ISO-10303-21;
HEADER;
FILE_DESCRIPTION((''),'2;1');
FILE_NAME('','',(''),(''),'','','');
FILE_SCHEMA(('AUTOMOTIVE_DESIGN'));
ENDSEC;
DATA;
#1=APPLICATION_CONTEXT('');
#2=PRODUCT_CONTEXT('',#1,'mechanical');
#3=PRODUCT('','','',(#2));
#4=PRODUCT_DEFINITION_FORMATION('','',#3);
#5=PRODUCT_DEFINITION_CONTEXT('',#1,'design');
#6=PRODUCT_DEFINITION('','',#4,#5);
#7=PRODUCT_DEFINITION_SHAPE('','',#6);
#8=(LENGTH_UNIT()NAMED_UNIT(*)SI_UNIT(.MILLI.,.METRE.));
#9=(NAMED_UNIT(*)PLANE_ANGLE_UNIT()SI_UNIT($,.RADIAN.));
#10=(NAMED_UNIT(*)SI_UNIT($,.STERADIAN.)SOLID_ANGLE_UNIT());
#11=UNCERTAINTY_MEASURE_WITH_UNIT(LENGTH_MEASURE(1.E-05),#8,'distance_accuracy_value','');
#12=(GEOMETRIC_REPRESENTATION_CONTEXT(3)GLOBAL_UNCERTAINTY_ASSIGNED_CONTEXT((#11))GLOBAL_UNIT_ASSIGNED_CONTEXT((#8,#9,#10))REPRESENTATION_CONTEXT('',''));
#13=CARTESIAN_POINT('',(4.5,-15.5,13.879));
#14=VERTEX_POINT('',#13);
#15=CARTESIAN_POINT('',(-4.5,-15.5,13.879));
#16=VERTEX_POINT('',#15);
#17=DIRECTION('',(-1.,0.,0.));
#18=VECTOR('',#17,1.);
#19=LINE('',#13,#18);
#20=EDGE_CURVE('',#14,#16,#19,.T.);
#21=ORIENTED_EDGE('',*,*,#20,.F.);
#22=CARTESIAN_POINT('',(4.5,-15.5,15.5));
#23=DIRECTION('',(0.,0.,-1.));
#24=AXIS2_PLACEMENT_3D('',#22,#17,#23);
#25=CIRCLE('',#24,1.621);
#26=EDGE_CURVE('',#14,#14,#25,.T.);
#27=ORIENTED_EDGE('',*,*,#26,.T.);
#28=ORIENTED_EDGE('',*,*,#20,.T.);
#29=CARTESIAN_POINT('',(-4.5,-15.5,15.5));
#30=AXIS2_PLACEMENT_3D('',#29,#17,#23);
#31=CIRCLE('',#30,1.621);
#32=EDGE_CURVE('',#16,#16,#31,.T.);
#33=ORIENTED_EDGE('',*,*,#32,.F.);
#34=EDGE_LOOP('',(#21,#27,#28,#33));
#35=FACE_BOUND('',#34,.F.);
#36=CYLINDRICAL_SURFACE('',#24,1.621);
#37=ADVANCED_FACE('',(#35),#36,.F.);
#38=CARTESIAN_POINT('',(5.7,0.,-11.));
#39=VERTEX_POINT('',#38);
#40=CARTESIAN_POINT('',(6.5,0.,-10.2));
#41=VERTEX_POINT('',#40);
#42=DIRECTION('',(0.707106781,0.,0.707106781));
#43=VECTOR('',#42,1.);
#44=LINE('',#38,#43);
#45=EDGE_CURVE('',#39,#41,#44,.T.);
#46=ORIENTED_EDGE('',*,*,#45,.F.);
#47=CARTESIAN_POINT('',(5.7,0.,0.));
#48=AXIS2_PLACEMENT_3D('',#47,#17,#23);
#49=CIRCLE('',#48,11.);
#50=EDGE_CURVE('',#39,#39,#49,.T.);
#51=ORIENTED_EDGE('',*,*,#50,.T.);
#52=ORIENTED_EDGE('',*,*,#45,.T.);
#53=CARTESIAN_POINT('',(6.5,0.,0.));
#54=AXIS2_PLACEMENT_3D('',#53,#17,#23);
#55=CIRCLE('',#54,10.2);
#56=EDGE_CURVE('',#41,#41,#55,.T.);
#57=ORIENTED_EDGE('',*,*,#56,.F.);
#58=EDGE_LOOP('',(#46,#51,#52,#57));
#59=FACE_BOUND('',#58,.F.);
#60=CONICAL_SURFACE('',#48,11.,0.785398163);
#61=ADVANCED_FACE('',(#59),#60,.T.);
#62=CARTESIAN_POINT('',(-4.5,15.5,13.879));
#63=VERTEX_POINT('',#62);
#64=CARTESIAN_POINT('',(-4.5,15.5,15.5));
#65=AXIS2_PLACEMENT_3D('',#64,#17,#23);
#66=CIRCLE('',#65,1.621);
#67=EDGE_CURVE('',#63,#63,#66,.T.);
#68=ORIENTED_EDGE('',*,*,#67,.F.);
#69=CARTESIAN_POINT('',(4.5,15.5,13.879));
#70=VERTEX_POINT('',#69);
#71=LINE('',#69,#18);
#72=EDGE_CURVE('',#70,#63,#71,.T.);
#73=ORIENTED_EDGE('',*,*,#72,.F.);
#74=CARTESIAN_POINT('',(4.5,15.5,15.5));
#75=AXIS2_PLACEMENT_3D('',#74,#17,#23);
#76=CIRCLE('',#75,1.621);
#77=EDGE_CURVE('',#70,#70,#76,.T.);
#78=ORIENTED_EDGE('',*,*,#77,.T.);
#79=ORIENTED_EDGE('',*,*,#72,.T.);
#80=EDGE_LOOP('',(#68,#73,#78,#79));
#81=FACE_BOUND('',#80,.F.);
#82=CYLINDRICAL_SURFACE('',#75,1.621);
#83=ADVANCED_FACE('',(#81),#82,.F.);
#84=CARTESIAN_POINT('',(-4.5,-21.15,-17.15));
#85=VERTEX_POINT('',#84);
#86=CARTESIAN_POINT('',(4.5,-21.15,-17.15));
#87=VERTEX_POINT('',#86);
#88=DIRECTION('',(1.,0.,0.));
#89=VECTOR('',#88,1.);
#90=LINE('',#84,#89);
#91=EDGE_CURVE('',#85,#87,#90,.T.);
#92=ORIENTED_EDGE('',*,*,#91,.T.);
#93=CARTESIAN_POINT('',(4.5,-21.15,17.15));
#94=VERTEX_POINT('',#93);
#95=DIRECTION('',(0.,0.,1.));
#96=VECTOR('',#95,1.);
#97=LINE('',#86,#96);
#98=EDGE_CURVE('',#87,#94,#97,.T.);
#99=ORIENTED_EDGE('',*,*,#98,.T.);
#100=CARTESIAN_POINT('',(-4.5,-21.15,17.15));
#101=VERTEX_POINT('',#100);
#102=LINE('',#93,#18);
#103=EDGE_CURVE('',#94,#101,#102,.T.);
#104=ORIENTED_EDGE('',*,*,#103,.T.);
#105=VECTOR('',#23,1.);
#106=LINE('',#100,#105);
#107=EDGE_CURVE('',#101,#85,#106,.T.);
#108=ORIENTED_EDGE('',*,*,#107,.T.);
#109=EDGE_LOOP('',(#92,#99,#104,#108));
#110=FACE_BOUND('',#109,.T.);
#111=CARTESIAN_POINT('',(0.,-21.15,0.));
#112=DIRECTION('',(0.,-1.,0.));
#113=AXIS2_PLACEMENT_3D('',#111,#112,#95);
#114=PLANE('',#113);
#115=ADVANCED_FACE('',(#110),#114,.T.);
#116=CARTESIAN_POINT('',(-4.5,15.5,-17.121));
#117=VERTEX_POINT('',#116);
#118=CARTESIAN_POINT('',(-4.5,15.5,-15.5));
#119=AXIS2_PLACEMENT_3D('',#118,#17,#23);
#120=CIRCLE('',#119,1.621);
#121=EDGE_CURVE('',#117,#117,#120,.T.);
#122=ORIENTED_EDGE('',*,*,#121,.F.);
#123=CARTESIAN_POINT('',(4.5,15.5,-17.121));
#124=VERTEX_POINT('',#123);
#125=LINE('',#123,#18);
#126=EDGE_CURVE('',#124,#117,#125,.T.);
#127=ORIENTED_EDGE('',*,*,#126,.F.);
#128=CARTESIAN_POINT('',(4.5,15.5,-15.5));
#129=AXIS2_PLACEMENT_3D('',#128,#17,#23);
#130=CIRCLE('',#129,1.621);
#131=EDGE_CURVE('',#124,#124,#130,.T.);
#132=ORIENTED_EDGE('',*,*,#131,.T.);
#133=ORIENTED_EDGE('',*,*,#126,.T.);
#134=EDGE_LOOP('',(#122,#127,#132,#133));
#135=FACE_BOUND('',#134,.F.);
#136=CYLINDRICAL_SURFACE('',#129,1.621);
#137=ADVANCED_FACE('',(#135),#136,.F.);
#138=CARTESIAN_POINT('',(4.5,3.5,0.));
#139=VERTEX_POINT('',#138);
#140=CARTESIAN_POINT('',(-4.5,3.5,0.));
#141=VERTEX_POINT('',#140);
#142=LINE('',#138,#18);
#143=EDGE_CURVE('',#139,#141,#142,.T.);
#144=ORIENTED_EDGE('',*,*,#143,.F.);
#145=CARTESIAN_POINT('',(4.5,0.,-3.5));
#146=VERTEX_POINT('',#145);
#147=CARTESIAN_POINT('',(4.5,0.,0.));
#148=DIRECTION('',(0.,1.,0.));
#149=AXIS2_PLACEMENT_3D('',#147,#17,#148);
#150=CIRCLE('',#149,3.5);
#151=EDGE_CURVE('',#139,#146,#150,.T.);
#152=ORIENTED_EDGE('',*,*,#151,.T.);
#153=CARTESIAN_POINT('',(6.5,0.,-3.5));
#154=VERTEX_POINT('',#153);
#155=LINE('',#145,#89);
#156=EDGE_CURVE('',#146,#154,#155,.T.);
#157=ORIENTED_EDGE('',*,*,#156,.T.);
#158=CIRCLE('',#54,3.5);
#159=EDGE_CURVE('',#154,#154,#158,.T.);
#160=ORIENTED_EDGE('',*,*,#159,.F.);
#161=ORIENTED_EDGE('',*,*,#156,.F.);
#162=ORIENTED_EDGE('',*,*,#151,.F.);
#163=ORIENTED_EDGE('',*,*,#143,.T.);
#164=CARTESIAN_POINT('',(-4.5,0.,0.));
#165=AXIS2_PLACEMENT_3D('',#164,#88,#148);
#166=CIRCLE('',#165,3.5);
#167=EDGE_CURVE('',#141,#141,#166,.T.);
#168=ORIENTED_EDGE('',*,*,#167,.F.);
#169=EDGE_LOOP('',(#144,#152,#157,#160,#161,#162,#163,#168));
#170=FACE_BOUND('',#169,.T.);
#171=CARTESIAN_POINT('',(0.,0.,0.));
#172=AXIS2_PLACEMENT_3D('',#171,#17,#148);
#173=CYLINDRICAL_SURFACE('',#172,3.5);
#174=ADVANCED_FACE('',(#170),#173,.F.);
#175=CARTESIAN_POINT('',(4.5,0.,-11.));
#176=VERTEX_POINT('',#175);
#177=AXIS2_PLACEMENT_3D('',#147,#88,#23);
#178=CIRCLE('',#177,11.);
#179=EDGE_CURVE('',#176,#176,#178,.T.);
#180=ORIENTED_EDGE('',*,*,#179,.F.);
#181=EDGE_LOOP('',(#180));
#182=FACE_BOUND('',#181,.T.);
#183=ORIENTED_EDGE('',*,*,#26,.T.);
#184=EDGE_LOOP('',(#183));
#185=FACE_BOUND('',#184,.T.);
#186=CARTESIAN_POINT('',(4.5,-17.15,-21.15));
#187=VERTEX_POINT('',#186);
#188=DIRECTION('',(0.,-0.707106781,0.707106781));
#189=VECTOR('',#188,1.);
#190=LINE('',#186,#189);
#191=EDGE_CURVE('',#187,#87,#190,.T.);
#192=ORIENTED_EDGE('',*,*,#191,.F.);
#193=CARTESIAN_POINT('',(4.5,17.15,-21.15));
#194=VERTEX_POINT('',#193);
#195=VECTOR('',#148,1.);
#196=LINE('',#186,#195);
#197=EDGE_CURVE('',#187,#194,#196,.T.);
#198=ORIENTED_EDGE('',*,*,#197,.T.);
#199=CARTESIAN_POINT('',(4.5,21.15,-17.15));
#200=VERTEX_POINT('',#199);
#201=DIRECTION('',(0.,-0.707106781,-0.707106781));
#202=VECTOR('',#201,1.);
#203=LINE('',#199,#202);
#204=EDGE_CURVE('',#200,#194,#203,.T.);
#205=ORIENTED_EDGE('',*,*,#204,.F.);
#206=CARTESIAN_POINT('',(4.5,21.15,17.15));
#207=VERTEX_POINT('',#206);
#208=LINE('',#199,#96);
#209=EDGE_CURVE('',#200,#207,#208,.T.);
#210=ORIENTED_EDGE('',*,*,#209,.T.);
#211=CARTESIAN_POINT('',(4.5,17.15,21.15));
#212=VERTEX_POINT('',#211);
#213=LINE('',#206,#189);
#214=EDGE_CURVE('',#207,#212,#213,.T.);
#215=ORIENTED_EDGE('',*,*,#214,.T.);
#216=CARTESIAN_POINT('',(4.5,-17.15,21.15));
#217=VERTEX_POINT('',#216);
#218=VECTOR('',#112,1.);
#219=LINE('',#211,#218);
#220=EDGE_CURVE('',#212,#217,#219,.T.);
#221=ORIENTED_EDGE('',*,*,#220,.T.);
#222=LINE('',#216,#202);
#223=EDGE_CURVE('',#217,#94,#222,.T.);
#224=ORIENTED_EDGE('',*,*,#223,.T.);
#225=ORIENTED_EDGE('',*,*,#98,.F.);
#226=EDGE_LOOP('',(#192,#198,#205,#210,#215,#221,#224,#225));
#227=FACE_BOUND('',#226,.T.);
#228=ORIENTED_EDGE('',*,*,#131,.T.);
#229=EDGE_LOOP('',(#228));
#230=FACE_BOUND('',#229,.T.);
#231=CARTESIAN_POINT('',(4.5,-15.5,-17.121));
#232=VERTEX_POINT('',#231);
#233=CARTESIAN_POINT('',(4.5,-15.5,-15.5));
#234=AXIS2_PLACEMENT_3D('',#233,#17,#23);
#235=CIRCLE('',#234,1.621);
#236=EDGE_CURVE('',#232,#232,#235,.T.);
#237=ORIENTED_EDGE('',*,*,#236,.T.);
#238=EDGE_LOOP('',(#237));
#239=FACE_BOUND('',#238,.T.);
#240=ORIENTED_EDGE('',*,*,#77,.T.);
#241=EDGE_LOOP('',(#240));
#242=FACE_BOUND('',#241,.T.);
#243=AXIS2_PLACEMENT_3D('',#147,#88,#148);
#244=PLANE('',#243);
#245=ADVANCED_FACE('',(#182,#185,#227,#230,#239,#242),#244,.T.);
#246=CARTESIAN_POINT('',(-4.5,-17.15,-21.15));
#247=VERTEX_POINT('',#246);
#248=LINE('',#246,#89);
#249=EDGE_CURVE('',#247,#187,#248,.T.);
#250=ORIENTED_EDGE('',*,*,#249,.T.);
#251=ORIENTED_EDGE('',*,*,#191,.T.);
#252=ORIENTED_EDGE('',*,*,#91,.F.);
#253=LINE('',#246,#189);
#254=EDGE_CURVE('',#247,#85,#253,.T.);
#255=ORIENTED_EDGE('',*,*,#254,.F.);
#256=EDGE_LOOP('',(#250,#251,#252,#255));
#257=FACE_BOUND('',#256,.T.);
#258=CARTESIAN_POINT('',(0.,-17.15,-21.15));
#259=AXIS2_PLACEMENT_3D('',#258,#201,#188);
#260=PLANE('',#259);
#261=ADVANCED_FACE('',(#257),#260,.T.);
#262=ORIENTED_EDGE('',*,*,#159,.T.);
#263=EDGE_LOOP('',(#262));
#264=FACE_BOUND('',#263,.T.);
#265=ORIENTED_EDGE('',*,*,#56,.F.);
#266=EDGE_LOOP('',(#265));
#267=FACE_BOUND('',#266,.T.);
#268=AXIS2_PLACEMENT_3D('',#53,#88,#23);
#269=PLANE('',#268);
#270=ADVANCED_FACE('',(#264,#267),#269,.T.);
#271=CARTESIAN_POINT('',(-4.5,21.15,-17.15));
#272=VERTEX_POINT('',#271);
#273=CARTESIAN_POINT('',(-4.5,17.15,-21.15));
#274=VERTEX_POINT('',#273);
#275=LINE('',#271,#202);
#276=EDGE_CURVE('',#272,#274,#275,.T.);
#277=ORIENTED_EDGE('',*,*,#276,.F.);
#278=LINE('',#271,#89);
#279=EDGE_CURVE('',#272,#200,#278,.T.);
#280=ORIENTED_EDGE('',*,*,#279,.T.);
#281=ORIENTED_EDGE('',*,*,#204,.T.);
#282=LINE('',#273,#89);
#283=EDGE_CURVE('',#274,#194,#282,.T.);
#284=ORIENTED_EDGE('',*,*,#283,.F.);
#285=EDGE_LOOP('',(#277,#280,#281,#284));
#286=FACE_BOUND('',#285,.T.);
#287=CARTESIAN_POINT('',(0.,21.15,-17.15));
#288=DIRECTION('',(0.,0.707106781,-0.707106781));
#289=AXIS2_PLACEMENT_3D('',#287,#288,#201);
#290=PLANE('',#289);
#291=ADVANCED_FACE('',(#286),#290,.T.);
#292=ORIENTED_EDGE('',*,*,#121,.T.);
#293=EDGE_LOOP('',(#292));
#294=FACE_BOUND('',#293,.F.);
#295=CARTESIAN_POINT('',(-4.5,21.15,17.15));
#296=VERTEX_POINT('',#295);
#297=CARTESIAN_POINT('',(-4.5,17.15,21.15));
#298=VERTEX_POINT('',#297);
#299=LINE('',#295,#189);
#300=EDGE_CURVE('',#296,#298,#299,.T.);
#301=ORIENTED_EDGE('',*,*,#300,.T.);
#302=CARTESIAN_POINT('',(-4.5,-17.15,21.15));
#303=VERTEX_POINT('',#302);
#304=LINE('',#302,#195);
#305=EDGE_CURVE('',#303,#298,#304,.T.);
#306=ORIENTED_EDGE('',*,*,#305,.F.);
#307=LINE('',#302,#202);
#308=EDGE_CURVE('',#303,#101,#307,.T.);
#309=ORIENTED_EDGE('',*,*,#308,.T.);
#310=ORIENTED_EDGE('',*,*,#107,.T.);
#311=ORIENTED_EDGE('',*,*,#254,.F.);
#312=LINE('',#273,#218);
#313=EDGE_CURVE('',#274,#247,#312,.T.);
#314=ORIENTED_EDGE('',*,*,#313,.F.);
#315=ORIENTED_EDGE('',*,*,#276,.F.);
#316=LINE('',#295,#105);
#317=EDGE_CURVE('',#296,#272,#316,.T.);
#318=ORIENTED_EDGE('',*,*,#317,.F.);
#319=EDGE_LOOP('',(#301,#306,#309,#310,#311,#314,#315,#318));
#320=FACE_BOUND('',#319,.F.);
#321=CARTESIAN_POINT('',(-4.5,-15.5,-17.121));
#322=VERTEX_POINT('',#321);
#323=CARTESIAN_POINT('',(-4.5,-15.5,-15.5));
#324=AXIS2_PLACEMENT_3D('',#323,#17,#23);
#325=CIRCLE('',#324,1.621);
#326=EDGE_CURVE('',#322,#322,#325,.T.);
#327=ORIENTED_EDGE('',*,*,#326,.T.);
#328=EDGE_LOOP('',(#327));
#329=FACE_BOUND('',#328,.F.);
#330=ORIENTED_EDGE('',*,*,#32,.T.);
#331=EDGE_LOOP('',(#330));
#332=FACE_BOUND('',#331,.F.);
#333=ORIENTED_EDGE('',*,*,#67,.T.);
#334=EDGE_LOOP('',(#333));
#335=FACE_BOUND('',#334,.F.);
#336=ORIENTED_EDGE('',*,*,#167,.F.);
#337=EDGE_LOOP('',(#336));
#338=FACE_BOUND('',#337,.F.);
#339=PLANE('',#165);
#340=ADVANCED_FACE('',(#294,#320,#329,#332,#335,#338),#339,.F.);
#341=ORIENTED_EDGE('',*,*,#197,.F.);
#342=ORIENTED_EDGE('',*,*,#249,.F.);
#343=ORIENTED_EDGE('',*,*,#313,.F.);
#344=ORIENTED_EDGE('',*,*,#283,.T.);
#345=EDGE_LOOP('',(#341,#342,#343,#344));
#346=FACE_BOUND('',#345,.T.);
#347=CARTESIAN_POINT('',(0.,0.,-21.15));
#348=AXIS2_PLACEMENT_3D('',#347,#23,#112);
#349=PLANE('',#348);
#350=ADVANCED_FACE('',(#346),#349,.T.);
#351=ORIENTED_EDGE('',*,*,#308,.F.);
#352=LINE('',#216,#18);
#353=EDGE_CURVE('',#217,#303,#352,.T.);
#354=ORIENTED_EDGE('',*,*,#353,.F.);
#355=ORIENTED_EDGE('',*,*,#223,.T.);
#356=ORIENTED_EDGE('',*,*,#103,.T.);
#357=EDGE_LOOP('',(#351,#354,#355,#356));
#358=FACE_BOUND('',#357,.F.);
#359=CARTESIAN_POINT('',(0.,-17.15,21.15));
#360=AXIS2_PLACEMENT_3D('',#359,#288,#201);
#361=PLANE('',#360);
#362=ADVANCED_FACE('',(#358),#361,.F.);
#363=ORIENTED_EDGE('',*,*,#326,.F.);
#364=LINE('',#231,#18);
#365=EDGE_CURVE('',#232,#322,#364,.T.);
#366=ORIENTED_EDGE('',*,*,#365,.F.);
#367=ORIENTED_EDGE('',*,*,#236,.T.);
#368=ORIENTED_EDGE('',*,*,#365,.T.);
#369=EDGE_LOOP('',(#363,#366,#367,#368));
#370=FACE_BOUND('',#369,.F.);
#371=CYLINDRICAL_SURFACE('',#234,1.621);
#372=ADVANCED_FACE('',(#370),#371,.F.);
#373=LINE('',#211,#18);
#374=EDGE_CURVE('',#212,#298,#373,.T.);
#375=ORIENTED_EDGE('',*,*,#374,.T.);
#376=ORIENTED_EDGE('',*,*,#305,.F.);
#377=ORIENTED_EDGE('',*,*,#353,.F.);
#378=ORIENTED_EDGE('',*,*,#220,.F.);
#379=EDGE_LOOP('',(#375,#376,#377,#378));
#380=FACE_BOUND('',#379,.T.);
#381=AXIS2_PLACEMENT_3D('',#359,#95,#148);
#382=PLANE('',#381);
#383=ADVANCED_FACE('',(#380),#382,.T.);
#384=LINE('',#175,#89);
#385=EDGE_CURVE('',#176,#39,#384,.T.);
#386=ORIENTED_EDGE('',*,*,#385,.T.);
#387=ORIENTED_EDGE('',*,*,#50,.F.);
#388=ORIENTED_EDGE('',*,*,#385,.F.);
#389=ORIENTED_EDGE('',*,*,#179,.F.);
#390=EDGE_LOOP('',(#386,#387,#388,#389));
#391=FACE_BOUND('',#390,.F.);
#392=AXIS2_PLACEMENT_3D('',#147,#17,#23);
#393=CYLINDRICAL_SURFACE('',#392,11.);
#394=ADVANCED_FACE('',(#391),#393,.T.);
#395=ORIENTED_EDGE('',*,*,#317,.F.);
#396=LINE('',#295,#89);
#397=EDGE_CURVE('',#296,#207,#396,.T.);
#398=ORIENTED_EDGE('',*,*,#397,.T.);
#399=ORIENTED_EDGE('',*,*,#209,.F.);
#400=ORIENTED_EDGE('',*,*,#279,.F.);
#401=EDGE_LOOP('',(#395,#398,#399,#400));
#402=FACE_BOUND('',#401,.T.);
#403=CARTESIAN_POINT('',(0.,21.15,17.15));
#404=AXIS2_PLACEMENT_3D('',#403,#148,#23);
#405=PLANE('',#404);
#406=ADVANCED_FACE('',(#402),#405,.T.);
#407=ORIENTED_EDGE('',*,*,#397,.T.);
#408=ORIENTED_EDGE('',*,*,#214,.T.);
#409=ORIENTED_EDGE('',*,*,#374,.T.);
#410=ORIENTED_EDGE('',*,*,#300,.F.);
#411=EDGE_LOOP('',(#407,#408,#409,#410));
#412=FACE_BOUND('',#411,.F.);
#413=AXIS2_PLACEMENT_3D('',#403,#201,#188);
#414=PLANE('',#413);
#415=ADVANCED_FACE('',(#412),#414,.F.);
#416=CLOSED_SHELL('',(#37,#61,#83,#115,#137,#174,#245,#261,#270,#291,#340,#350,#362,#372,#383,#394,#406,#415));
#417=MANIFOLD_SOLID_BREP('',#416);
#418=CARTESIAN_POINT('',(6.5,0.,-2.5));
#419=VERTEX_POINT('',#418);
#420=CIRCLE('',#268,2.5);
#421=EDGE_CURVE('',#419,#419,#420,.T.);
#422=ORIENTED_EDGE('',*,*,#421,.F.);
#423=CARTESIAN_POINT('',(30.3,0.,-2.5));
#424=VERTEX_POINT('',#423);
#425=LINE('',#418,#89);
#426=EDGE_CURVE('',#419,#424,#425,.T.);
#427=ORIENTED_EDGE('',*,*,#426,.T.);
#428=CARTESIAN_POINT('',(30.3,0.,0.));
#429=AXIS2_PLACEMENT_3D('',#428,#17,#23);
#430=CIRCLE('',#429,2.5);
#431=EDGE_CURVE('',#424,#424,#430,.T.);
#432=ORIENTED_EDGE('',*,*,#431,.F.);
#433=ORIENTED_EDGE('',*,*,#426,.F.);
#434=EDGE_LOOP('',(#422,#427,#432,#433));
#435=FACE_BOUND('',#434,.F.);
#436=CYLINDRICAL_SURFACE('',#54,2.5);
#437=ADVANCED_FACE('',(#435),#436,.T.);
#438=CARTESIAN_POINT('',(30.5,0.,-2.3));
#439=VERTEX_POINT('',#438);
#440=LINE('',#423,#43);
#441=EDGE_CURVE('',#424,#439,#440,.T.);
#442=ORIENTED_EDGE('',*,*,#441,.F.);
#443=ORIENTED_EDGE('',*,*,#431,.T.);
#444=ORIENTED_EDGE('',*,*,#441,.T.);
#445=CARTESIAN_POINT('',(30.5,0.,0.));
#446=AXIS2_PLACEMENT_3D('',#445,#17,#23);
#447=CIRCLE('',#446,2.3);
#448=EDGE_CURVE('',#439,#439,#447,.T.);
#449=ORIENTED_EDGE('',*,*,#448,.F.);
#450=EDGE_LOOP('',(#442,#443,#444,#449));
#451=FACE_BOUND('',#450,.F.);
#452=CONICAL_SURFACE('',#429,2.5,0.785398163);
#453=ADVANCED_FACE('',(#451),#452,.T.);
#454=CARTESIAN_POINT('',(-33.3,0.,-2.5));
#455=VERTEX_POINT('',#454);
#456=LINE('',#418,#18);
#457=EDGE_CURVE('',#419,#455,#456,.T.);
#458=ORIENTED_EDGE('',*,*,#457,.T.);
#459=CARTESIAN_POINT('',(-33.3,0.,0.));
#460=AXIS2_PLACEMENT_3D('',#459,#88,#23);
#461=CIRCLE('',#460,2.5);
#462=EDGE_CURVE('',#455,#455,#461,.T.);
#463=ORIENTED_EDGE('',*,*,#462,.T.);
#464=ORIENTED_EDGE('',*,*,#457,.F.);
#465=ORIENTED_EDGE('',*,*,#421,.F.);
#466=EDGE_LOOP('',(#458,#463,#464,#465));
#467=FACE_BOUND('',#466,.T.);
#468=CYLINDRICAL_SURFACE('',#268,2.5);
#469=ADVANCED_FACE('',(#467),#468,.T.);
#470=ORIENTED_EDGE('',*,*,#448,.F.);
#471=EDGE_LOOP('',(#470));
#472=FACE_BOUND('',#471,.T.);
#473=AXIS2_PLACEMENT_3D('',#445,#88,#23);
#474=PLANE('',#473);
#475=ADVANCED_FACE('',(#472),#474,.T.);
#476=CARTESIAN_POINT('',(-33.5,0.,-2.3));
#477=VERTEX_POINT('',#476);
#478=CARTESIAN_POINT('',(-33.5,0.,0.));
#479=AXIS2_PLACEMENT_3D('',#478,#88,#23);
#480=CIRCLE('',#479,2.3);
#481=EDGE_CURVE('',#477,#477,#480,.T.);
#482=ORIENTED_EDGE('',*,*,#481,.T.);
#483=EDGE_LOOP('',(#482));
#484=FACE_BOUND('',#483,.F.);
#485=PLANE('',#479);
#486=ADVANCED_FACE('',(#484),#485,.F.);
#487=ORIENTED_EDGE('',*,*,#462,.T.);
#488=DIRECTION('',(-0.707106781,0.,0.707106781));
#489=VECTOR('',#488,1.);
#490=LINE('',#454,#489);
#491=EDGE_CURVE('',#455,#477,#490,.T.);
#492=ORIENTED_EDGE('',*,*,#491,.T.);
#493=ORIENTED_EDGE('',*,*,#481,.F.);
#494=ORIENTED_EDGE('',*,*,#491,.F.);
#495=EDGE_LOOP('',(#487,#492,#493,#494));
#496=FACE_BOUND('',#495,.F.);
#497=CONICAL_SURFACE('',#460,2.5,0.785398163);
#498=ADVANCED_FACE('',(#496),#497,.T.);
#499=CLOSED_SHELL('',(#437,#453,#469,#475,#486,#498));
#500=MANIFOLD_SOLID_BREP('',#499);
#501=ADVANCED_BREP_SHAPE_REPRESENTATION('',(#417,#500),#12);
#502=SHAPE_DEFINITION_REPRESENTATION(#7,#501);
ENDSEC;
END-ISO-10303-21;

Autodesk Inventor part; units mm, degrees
ref_plane "YZ Plane" through (0, 0, 0) normal (1, 0, 0) x (0, 1, 0)
ref_plane "XZ Plane" through (0, 0, 0) normal (0, 1, 0) x (-1, 0, 0)
ref_plane "XY Plane" through (0, 0, 0) normal (0, 0, 1) x (1, 0, 0)
sketch "Skizze1" plane through (0, 0, 0) normal (1, 0, 0) x (0, 1, 0)
  line L0 (-29.61, 0) -> (29.61, 0) projected
  line L1 (0, -29.61) -> (0, 29.61) projected
  line L2 (-17.15, 21.15) -> (17.15, 21.15)
  line L3 (21.15, 17.15) -> (21.15, -17.15)
  line L4 (17.15, -21.15) -> (-17.15, -21.15)
  line L5 (-21.15, -17.15) -> (-21.15, 17.15)
  line L6 (21.15, 17.15) -> (17.15, 21.15)
  line L7 (21.15, -17.15) -> (17.15, -21.15)
  line L8 (-17.15, -21.15) -> (-21.15, -17.15)
  line L9 (-17.15, 21.15) -> (-21.15, 17.15)
  circle A0 centre (0, 0) radius 3.5
  point P0 (-21.15, 21.15)
  point P1 (21.15, -21.15)
  point P2 (21.15, 21.15)
  point P3 (-21.15, -21.15)
  dimension "d0" = 42.3
  dimension "d1" = 42.3
  dimension "d5" = 4
  dimension "d6" = 4
  dimension "d7" = 4
  dimension "d8" = 4
  dimension "d9" = 4
  dimension "d10" = 4
  dimension "d11" = 4
  dimension "d12" = 4
  dimension "d13" = 7
extrude "Extrusion2" add sketch "Skizze1" along normal mid plane 9 contours L5 L9 L2 L1 A0 L0 | L0 A0 L1 L4 L8 L5 | L1 L2 L6 L3 L0 A0 | A0 L0 L3 L7 L4 L1
sketch "Skizze2" plane through (4.5, 0, 0) normal (1, 0, 0) x (0, 0, -1)
  circle A0 centre (0, 0) radius 3.5 projected
  line L0 (-17.15, 21.15) -> (-21.15, 17.15) projected
  line L1 (-21.15, 17.15) -> (-21.15, -17.15) projected
  line L2 (-21.15, -17.15) -> (-17.15, -21.15) projected
  line L3 (-17.15, -21.15) -> (17.15, -21.15) projected
  line L4 (17.15, -21.15) -> (21.15, -17.15) projected
  line L5 (21.15, -17.15) -> (21.15, 17.15) projected
  line L6 (21.15, 17.15) -> (17.15, 21.15) projected
  line L7 (17.15, 21.15) -> (-17.15, 21.15) projected
  line L8 (0, -29.61) -> (0, 29.61) projected
  line L9 (29.61, 0) -> (-29.61, 0) projected
  point P0 (-15.5, 15.5)
  point P1 (15.5, 15.5)
  point P2 (-15.5, -15.5)
  point P3 (15.5, -15.5)
  dimension "d18" = 15.5
  dimension "d19" = 15.5
hole "Bohrung1" at (4.5, 15.5, 15.5) at (4.5, 15.5, -15.5) at (4.5, -15.5, 15.5) at (4.5, -15.5, -15.5) direction (-1, 0, 0) diameter 3.242 end through all thread size "M4x0.7" class "6H" standard "ISO Metric profile"
sketch "Skizze3" plane through (4.5, 0, 0) normal (1, 0, 0) x (0, 0, -1)
  line L0 (0, -29.61) -> (0, 29.61) projected
  line L1 (29.61, 0) -> (-29.61, 0) projected
  circle A0 centre (0, 0) radius 11
  circle A1 centre (0, 0) radius 3.5
  dimension "d27" = 22
  dimension "d28" = 7
extrude "Extrusion3" add sketch "Skizze3" along normal blind 2 contours A0 L1 A1 L0 | L0 A1 L1 A0 | A0 L0 A1 L1 | L1 A1 L0 A0
chamfer "Fase1" distance 0.8 angle 45 1 edges at (6.5, 0, 11)
sketch "Skizze4" plane through (6.5, 0, 0) normal (1, 0, 0) x (0, 0, -1)
  line L0 (29.61, 0) -> (-29.61, 0) projected
  line L1 (0, -29.61) -> (0, 29.61) projected
  circle A0 centre (0, 0) radius 2.5
  dimension "d34" = 5
extrude "Extrusion4" add sketch "Skizze4" along normal blind 24 and the other way blind 40
chamfer "Fase2" distance 0.2 angle 45 1 edges at (30.5, 0, 2.5)
chamfer "Fase3" distance 0.2 angle 45 1 edges at (-33.5, 0, 2.5)
equation "\"d6\" = d5"
equation "\"d8\" = d7"
equation "\"d9\" = d7"
equation "\"d10\" = d9"
equation "\"d11\" = d7"
equation "\"d12\" = d11"
properties part number "Frontplatte" material "Stahl, Kohlenstoff"
